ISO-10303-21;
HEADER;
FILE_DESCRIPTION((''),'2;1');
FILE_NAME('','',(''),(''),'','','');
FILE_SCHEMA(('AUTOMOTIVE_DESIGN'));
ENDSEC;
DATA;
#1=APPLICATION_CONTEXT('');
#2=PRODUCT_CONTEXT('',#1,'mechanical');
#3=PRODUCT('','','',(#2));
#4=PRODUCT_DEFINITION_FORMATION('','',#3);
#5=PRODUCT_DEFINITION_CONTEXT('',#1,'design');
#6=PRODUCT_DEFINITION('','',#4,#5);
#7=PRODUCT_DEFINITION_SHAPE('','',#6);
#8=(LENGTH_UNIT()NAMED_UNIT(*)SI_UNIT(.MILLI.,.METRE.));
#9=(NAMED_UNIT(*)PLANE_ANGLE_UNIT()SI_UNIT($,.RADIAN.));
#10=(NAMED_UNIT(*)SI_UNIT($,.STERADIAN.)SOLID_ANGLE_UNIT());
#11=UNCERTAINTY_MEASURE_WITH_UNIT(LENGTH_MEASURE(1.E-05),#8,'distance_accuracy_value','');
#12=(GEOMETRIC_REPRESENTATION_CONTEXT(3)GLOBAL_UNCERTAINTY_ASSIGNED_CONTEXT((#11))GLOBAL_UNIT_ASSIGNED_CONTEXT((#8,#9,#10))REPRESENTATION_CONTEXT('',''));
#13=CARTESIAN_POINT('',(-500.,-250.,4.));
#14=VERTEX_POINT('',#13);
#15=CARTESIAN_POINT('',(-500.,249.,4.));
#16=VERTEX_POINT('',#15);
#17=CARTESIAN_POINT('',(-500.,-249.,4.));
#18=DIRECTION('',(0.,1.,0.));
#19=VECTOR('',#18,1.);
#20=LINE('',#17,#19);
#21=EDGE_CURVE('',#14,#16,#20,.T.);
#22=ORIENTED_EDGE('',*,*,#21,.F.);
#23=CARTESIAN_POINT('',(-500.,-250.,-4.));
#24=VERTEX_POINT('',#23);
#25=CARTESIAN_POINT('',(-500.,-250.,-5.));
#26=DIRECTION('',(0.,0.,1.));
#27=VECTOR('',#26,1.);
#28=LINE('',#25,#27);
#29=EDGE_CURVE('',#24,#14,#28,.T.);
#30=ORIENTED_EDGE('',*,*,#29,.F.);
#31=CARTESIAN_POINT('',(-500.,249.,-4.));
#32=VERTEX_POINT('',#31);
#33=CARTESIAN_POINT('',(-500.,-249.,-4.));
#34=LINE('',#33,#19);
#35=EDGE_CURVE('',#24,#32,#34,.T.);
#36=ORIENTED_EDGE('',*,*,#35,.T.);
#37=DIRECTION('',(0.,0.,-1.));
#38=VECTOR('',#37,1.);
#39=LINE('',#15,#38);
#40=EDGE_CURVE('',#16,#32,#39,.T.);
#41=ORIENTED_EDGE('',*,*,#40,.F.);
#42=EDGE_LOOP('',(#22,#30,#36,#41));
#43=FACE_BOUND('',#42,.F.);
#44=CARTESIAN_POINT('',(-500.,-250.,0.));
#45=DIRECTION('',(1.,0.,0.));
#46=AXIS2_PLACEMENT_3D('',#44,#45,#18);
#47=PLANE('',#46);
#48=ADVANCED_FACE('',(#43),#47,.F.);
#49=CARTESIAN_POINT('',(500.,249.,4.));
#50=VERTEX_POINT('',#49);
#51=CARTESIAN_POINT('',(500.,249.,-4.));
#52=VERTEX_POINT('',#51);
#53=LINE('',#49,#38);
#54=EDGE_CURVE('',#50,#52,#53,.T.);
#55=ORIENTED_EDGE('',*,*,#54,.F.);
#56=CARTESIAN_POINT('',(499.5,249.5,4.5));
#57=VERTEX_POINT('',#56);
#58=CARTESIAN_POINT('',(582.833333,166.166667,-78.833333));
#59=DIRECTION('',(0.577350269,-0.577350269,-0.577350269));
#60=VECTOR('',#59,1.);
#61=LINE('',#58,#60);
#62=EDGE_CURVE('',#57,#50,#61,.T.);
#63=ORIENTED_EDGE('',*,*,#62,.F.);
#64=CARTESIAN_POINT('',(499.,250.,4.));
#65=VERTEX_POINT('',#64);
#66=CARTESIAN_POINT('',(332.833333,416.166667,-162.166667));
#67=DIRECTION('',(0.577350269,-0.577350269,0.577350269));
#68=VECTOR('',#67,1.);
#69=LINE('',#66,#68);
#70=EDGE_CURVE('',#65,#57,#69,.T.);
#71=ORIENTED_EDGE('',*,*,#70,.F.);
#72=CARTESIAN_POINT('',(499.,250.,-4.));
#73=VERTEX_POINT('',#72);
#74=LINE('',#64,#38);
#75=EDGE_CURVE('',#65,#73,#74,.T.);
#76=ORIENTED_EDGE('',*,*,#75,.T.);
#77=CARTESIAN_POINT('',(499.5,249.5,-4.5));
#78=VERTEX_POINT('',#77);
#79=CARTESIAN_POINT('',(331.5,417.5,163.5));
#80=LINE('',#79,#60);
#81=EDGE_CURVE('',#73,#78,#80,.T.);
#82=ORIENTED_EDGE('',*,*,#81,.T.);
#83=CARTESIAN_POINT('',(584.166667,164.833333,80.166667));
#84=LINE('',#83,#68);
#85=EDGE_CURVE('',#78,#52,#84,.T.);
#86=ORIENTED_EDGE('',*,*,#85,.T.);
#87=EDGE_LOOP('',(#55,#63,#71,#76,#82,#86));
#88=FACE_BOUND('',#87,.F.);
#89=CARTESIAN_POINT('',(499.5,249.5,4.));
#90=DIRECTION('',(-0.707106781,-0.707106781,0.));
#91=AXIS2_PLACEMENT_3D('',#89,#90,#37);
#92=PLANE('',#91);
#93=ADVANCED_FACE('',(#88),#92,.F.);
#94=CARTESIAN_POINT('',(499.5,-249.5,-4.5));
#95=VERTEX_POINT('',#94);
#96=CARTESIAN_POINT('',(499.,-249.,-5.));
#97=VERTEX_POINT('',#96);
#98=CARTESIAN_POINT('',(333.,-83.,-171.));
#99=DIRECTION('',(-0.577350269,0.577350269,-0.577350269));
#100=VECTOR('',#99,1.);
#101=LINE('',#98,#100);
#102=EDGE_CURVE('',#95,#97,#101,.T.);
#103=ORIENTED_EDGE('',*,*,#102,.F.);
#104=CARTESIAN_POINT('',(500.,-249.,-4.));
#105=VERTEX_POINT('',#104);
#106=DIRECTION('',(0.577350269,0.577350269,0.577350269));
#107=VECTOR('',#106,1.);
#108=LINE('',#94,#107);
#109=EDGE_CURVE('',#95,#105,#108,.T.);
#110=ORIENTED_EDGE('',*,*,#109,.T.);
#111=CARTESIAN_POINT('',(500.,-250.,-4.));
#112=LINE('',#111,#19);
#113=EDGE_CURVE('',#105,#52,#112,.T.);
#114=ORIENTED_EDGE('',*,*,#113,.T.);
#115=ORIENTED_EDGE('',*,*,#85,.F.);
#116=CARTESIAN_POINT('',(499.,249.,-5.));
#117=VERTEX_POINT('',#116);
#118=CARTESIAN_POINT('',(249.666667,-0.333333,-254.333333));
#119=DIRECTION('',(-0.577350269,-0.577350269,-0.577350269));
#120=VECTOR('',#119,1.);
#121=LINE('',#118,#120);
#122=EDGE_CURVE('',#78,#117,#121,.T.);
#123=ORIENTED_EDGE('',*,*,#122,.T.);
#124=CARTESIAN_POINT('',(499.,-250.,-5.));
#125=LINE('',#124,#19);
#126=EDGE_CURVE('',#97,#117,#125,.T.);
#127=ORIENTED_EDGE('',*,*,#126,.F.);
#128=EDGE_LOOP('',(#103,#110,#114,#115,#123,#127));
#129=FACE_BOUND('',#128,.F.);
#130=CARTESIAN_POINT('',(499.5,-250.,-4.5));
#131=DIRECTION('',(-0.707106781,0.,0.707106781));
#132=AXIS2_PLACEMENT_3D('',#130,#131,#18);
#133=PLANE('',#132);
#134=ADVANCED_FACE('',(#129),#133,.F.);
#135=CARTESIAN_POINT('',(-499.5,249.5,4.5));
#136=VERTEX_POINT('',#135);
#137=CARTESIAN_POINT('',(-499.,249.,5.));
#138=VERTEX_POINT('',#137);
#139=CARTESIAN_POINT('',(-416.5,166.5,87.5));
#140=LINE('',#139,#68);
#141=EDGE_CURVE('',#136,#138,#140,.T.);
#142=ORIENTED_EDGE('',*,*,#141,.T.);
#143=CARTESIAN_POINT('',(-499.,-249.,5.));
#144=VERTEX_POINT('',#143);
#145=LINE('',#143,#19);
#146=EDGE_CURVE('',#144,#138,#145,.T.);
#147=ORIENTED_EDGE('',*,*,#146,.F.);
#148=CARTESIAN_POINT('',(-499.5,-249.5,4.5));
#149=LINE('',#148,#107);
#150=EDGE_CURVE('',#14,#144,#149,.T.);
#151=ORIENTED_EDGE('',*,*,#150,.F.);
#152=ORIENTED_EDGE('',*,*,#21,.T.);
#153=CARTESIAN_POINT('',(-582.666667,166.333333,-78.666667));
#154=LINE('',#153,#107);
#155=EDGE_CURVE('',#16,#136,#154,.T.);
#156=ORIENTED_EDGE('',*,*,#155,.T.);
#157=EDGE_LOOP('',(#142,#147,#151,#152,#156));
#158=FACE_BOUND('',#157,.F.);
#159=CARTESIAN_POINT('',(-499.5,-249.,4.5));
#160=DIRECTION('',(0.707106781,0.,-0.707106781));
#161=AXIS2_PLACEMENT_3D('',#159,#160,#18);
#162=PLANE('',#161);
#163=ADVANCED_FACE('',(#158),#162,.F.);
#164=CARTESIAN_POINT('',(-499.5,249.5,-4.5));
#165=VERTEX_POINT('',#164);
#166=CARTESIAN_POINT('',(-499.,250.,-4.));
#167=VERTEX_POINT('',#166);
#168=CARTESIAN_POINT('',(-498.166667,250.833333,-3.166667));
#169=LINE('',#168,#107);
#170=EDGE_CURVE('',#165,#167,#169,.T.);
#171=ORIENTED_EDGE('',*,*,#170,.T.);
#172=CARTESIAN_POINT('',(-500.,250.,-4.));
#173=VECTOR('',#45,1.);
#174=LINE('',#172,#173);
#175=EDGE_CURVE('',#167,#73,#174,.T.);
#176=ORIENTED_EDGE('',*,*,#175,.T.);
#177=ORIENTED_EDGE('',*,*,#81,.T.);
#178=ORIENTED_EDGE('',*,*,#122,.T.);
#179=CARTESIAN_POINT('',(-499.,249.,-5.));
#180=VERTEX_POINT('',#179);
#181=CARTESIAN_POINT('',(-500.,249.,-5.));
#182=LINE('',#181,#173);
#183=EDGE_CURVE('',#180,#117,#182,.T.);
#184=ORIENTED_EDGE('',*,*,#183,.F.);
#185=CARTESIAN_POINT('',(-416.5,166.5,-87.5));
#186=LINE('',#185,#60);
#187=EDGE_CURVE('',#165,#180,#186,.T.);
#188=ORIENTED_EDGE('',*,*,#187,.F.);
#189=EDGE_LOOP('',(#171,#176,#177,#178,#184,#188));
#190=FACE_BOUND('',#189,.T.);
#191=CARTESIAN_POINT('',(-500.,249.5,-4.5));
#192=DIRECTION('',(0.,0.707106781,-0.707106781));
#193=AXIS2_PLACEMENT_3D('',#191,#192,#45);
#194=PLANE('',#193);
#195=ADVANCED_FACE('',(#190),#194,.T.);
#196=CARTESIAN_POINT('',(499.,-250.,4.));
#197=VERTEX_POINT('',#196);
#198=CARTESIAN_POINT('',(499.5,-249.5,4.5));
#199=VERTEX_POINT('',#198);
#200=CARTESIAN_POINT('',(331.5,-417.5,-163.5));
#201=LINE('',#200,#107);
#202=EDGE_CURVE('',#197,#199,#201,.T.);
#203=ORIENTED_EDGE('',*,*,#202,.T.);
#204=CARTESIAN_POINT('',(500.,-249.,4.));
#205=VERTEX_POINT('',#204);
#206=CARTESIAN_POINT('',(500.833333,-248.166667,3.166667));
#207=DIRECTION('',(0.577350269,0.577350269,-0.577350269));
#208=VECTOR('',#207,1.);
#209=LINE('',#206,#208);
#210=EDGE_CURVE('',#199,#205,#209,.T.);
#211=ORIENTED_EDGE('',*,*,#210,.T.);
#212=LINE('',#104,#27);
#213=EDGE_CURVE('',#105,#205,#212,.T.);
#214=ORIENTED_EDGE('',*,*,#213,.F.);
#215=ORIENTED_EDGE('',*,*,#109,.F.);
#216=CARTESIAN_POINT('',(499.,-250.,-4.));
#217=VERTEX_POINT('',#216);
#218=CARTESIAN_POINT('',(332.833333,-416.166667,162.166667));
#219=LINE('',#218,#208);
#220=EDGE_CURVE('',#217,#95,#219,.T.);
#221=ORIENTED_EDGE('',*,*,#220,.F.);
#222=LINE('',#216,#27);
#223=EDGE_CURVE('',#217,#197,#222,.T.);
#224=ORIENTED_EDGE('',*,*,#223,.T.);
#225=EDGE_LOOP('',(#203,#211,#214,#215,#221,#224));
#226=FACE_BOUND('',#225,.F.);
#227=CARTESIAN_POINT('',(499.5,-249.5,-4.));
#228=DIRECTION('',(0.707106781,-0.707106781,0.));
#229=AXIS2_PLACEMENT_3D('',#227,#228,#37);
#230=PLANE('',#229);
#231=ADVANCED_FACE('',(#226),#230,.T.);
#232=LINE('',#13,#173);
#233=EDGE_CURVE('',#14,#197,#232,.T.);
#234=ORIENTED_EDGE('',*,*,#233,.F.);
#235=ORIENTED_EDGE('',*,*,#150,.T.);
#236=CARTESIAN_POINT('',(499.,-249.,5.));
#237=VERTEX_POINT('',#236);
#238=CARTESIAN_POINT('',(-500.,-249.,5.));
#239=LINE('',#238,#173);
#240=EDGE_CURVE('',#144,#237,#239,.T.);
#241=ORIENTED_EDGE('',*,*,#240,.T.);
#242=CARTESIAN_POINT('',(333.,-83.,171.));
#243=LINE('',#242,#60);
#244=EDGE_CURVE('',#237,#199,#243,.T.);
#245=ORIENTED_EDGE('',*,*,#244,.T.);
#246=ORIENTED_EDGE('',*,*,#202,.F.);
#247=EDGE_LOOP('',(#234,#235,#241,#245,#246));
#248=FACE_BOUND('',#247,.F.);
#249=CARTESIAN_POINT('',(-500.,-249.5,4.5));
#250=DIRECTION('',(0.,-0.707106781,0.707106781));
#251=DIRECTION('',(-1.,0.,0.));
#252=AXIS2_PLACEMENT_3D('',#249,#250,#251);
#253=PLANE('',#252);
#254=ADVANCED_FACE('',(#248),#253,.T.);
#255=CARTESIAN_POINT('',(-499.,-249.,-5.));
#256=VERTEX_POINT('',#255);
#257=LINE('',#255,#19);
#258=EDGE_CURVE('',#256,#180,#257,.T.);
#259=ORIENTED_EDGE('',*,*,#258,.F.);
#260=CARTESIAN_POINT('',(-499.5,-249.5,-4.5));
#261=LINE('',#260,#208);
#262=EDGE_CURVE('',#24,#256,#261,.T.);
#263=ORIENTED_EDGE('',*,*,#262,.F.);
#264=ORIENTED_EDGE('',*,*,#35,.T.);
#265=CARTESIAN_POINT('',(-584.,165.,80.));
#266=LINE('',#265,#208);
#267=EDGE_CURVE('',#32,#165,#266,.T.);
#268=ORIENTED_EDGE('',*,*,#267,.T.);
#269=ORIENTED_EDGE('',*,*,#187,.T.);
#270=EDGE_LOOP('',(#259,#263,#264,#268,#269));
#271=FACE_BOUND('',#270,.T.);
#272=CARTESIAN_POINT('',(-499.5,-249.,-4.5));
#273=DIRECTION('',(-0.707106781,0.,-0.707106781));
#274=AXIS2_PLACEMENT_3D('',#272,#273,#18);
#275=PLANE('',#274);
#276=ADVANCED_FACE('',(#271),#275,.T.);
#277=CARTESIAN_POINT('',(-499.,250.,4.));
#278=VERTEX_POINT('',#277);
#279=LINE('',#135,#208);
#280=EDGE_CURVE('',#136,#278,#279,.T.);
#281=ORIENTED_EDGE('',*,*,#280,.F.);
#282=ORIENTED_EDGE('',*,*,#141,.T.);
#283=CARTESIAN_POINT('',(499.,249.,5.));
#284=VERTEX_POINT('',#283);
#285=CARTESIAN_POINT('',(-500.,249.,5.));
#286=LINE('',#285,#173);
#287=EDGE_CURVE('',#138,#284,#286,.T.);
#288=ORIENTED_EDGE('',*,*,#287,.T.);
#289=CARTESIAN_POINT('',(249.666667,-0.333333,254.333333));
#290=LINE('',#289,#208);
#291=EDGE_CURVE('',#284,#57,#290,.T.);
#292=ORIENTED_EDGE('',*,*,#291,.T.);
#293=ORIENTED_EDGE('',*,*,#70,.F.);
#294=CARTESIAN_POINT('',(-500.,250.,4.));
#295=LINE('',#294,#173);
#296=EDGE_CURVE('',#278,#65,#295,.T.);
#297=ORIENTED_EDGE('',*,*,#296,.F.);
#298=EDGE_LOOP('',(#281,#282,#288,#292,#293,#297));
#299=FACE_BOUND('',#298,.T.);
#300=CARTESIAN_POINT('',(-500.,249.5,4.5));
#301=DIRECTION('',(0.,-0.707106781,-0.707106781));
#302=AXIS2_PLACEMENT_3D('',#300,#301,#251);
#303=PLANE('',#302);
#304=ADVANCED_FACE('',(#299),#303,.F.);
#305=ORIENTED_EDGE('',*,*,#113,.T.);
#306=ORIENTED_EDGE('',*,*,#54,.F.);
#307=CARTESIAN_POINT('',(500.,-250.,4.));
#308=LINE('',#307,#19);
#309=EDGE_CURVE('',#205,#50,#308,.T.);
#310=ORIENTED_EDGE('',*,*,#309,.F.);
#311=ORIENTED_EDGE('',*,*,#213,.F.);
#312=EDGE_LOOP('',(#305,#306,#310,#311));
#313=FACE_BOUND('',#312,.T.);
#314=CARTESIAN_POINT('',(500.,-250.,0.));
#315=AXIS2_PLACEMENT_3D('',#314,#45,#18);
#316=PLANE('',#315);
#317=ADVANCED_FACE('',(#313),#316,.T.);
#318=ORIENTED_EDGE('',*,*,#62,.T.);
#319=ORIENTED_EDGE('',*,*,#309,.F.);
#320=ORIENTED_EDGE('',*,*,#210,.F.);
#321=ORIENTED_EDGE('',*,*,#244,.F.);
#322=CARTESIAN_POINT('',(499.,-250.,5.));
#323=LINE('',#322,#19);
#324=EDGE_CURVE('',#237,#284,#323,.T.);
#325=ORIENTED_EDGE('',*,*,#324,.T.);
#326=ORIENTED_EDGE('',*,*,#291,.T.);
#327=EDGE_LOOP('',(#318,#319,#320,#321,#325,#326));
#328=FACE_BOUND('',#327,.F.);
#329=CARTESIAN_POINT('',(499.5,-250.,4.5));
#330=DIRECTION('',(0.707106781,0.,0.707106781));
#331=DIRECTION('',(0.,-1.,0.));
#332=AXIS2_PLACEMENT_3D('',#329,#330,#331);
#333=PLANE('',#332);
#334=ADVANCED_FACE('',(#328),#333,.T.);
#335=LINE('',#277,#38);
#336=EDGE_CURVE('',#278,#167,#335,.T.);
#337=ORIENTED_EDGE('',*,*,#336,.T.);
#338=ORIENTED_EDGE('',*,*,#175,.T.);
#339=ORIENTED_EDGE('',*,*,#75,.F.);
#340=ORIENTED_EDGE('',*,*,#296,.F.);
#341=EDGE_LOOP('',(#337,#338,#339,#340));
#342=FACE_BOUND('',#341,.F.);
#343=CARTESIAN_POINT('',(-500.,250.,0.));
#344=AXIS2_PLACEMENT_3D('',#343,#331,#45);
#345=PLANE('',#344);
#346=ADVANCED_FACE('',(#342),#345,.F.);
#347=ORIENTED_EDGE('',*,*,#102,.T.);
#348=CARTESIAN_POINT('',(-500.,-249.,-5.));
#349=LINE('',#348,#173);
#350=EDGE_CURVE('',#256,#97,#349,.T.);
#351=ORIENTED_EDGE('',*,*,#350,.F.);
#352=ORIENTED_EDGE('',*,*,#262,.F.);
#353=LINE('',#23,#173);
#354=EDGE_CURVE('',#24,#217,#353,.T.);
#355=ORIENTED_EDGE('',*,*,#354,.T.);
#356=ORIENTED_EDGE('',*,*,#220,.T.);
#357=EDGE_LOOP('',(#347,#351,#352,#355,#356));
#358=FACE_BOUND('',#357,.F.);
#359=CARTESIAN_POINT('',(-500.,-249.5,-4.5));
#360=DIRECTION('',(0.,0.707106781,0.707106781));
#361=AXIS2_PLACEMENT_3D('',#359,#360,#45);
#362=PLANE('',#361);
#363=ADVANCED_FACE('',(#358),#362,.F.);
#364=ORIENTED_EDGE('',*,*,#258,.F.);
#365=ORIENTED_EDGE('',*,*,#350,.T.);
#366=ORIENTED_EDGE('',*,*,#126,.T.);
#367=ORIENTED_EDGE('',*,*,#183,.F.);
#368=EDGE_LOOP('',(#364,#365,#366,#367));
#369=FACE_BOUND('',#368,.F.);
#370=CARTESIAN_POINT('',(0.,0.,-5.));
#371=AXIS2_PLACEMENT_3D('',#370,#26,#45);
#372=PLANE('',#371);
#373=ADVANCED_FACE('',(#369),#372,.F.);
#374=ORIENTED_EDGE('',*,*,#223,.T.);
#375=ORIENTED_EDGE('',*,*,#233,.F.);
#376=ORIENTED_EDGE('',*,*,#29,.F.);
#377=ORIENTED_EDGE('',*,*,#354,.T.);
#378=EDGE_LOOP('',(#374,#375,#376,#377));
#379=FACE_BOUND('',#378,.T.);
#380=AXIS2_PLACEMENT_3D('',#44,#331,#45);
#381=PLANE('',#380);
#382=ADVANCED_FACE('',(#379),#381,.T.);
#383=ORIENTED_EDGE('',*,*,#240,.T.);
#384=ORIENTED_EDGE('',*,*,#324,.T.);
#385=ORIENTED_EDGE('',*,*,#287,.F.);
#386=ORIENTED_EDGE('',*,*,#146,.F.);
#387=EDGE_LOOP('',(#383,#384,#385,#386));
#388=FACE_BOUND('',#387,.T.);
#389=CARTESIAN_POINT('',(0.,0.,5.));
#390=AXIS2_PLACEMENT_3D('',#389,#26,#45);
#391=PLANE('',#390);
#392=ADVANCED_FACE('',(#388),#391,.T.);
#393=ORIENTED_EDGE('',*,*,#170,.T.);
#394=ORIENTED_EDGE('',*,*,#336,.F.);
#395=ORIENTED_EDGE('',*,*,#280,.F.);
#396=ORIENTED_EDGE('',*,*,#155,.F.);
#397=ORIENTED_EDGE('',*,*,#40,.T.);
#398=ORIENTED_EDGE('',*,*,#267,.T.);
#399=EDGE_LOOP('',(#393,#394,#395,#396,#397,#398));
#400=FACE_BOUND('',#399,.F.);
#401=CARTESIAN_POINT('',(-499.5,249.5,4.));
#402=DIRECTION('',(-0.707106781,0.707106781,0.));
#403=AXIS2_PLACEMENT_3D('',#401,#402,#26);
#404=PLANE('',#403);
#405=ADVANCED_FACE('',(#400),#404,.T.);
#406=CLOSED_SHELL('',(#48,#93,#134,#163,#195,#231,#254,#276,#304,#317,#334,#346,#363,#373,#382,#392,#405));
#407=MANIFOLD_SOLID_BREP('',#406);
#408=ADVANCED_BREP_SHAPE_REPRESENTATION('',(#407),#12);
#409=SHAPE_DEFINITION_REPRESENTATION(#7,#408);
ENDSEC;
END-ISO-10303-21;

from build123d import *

# Parameters (mm, degrees)
F0_W     = 1000
F0_H     = 500
F1_DEPTH = 5
F2_SIZE  = 1
F3_SIZE  = 1
F4_SIZE  = 1
F5_SIZE  = 1
F6_SIZE  = 1
F7_SIZE  = 1
F8_SIZE  = 1


with BuildPart() as f1:
    # F0 (on Top) → F1 (new body, symmetric)
    with BuildSketch(Plane.XY):
        Rectangle(F0_W, F0_H)
    extrude(amount=F1_DEPTH, both=True)

    # F2
    f2_edges = [f1.edges().sort_by_distance(p)[0] for p in [
        (0, 250, 5),
    ]]
    chamfer(f2_edges, length=F2_SIZE)

    # F3
    f3_edges = [f1.edges().sort_by_distance(p)[0] for p in [
        (500, -0.5, 5),
    ]]
    chamfer(f3_edges, length=F3_SIZE)

    # F4
    f4_edges = [f1.edges().sort_by_distance(p)[0] for p in [
        (500, 0, -5),
    ]]
    chamfer(f4_edges, length=F4_SIZE)

    # F5
    f5_edges = [f1.edges().sort_by_distance(p)[0] for p in [
        (500, 250, 0),
    ]]
    chamfer(f5_edges, length=F5_SIZE)

    # F6
    f6_edges = [f1.edges().sort_by_distance(p)[0] for p in [
        (-0.5, 250, -5),
    ]]
    chamfer(f6_edges, length=F6_SIZE)

    # F7 (call 1 of 3: OpenCascade refuses the feature's edges together)
    f7_edges = [f1.edges().sort_by_distance(p)[0] for p in [
        (-0.5, -250, 5),
    ]]
    chamfer(f7_edges, length=F7_SIZE)

    # F7#2 (call 2 of 3)
    f7_2_edges = [f1.edges().sort_by_distance(p)[0] for p in [
        (-0.5, -250, -5),
    ]]
    chamfer(f7_2_edges, length=F7_SIZE)

    # F7#3 (call 3 of 3)
    f7_3_edges = [f1.edges().sort_by_distance(p)[0] for p in [
        (500, -250, 0),
    ]]
    chamfer(f7_3_edges, length=F7_SIZE)

    # F8 (call 1 of 3: OpenCascade refuses the feature's edges together)
    f8_edges = [f1.edges().sort_by_distance(p)[0] for p in [
        (-500, 250, 0),
    ]]
    chamfer(f8_edges, length=F8_SIZE)

    # F8#2 (call 2 of 3)
    f8_2_edges = [f1.edges().sort_by_distance(p)[0] for p in [
        (-500, 0, 5),
    ]]
    chamfer(f8_2_edges, length=F8_SIZE)

    # F8#3 (call 3 of 3)
    f8_3_edges = [f1.edges().sort_by_distance(p)[0] for p in [
        (-500, 0, -5),
    ]]
    chamfer(f8_3_edges, length=F8_SIZE)


solid = f1.part
